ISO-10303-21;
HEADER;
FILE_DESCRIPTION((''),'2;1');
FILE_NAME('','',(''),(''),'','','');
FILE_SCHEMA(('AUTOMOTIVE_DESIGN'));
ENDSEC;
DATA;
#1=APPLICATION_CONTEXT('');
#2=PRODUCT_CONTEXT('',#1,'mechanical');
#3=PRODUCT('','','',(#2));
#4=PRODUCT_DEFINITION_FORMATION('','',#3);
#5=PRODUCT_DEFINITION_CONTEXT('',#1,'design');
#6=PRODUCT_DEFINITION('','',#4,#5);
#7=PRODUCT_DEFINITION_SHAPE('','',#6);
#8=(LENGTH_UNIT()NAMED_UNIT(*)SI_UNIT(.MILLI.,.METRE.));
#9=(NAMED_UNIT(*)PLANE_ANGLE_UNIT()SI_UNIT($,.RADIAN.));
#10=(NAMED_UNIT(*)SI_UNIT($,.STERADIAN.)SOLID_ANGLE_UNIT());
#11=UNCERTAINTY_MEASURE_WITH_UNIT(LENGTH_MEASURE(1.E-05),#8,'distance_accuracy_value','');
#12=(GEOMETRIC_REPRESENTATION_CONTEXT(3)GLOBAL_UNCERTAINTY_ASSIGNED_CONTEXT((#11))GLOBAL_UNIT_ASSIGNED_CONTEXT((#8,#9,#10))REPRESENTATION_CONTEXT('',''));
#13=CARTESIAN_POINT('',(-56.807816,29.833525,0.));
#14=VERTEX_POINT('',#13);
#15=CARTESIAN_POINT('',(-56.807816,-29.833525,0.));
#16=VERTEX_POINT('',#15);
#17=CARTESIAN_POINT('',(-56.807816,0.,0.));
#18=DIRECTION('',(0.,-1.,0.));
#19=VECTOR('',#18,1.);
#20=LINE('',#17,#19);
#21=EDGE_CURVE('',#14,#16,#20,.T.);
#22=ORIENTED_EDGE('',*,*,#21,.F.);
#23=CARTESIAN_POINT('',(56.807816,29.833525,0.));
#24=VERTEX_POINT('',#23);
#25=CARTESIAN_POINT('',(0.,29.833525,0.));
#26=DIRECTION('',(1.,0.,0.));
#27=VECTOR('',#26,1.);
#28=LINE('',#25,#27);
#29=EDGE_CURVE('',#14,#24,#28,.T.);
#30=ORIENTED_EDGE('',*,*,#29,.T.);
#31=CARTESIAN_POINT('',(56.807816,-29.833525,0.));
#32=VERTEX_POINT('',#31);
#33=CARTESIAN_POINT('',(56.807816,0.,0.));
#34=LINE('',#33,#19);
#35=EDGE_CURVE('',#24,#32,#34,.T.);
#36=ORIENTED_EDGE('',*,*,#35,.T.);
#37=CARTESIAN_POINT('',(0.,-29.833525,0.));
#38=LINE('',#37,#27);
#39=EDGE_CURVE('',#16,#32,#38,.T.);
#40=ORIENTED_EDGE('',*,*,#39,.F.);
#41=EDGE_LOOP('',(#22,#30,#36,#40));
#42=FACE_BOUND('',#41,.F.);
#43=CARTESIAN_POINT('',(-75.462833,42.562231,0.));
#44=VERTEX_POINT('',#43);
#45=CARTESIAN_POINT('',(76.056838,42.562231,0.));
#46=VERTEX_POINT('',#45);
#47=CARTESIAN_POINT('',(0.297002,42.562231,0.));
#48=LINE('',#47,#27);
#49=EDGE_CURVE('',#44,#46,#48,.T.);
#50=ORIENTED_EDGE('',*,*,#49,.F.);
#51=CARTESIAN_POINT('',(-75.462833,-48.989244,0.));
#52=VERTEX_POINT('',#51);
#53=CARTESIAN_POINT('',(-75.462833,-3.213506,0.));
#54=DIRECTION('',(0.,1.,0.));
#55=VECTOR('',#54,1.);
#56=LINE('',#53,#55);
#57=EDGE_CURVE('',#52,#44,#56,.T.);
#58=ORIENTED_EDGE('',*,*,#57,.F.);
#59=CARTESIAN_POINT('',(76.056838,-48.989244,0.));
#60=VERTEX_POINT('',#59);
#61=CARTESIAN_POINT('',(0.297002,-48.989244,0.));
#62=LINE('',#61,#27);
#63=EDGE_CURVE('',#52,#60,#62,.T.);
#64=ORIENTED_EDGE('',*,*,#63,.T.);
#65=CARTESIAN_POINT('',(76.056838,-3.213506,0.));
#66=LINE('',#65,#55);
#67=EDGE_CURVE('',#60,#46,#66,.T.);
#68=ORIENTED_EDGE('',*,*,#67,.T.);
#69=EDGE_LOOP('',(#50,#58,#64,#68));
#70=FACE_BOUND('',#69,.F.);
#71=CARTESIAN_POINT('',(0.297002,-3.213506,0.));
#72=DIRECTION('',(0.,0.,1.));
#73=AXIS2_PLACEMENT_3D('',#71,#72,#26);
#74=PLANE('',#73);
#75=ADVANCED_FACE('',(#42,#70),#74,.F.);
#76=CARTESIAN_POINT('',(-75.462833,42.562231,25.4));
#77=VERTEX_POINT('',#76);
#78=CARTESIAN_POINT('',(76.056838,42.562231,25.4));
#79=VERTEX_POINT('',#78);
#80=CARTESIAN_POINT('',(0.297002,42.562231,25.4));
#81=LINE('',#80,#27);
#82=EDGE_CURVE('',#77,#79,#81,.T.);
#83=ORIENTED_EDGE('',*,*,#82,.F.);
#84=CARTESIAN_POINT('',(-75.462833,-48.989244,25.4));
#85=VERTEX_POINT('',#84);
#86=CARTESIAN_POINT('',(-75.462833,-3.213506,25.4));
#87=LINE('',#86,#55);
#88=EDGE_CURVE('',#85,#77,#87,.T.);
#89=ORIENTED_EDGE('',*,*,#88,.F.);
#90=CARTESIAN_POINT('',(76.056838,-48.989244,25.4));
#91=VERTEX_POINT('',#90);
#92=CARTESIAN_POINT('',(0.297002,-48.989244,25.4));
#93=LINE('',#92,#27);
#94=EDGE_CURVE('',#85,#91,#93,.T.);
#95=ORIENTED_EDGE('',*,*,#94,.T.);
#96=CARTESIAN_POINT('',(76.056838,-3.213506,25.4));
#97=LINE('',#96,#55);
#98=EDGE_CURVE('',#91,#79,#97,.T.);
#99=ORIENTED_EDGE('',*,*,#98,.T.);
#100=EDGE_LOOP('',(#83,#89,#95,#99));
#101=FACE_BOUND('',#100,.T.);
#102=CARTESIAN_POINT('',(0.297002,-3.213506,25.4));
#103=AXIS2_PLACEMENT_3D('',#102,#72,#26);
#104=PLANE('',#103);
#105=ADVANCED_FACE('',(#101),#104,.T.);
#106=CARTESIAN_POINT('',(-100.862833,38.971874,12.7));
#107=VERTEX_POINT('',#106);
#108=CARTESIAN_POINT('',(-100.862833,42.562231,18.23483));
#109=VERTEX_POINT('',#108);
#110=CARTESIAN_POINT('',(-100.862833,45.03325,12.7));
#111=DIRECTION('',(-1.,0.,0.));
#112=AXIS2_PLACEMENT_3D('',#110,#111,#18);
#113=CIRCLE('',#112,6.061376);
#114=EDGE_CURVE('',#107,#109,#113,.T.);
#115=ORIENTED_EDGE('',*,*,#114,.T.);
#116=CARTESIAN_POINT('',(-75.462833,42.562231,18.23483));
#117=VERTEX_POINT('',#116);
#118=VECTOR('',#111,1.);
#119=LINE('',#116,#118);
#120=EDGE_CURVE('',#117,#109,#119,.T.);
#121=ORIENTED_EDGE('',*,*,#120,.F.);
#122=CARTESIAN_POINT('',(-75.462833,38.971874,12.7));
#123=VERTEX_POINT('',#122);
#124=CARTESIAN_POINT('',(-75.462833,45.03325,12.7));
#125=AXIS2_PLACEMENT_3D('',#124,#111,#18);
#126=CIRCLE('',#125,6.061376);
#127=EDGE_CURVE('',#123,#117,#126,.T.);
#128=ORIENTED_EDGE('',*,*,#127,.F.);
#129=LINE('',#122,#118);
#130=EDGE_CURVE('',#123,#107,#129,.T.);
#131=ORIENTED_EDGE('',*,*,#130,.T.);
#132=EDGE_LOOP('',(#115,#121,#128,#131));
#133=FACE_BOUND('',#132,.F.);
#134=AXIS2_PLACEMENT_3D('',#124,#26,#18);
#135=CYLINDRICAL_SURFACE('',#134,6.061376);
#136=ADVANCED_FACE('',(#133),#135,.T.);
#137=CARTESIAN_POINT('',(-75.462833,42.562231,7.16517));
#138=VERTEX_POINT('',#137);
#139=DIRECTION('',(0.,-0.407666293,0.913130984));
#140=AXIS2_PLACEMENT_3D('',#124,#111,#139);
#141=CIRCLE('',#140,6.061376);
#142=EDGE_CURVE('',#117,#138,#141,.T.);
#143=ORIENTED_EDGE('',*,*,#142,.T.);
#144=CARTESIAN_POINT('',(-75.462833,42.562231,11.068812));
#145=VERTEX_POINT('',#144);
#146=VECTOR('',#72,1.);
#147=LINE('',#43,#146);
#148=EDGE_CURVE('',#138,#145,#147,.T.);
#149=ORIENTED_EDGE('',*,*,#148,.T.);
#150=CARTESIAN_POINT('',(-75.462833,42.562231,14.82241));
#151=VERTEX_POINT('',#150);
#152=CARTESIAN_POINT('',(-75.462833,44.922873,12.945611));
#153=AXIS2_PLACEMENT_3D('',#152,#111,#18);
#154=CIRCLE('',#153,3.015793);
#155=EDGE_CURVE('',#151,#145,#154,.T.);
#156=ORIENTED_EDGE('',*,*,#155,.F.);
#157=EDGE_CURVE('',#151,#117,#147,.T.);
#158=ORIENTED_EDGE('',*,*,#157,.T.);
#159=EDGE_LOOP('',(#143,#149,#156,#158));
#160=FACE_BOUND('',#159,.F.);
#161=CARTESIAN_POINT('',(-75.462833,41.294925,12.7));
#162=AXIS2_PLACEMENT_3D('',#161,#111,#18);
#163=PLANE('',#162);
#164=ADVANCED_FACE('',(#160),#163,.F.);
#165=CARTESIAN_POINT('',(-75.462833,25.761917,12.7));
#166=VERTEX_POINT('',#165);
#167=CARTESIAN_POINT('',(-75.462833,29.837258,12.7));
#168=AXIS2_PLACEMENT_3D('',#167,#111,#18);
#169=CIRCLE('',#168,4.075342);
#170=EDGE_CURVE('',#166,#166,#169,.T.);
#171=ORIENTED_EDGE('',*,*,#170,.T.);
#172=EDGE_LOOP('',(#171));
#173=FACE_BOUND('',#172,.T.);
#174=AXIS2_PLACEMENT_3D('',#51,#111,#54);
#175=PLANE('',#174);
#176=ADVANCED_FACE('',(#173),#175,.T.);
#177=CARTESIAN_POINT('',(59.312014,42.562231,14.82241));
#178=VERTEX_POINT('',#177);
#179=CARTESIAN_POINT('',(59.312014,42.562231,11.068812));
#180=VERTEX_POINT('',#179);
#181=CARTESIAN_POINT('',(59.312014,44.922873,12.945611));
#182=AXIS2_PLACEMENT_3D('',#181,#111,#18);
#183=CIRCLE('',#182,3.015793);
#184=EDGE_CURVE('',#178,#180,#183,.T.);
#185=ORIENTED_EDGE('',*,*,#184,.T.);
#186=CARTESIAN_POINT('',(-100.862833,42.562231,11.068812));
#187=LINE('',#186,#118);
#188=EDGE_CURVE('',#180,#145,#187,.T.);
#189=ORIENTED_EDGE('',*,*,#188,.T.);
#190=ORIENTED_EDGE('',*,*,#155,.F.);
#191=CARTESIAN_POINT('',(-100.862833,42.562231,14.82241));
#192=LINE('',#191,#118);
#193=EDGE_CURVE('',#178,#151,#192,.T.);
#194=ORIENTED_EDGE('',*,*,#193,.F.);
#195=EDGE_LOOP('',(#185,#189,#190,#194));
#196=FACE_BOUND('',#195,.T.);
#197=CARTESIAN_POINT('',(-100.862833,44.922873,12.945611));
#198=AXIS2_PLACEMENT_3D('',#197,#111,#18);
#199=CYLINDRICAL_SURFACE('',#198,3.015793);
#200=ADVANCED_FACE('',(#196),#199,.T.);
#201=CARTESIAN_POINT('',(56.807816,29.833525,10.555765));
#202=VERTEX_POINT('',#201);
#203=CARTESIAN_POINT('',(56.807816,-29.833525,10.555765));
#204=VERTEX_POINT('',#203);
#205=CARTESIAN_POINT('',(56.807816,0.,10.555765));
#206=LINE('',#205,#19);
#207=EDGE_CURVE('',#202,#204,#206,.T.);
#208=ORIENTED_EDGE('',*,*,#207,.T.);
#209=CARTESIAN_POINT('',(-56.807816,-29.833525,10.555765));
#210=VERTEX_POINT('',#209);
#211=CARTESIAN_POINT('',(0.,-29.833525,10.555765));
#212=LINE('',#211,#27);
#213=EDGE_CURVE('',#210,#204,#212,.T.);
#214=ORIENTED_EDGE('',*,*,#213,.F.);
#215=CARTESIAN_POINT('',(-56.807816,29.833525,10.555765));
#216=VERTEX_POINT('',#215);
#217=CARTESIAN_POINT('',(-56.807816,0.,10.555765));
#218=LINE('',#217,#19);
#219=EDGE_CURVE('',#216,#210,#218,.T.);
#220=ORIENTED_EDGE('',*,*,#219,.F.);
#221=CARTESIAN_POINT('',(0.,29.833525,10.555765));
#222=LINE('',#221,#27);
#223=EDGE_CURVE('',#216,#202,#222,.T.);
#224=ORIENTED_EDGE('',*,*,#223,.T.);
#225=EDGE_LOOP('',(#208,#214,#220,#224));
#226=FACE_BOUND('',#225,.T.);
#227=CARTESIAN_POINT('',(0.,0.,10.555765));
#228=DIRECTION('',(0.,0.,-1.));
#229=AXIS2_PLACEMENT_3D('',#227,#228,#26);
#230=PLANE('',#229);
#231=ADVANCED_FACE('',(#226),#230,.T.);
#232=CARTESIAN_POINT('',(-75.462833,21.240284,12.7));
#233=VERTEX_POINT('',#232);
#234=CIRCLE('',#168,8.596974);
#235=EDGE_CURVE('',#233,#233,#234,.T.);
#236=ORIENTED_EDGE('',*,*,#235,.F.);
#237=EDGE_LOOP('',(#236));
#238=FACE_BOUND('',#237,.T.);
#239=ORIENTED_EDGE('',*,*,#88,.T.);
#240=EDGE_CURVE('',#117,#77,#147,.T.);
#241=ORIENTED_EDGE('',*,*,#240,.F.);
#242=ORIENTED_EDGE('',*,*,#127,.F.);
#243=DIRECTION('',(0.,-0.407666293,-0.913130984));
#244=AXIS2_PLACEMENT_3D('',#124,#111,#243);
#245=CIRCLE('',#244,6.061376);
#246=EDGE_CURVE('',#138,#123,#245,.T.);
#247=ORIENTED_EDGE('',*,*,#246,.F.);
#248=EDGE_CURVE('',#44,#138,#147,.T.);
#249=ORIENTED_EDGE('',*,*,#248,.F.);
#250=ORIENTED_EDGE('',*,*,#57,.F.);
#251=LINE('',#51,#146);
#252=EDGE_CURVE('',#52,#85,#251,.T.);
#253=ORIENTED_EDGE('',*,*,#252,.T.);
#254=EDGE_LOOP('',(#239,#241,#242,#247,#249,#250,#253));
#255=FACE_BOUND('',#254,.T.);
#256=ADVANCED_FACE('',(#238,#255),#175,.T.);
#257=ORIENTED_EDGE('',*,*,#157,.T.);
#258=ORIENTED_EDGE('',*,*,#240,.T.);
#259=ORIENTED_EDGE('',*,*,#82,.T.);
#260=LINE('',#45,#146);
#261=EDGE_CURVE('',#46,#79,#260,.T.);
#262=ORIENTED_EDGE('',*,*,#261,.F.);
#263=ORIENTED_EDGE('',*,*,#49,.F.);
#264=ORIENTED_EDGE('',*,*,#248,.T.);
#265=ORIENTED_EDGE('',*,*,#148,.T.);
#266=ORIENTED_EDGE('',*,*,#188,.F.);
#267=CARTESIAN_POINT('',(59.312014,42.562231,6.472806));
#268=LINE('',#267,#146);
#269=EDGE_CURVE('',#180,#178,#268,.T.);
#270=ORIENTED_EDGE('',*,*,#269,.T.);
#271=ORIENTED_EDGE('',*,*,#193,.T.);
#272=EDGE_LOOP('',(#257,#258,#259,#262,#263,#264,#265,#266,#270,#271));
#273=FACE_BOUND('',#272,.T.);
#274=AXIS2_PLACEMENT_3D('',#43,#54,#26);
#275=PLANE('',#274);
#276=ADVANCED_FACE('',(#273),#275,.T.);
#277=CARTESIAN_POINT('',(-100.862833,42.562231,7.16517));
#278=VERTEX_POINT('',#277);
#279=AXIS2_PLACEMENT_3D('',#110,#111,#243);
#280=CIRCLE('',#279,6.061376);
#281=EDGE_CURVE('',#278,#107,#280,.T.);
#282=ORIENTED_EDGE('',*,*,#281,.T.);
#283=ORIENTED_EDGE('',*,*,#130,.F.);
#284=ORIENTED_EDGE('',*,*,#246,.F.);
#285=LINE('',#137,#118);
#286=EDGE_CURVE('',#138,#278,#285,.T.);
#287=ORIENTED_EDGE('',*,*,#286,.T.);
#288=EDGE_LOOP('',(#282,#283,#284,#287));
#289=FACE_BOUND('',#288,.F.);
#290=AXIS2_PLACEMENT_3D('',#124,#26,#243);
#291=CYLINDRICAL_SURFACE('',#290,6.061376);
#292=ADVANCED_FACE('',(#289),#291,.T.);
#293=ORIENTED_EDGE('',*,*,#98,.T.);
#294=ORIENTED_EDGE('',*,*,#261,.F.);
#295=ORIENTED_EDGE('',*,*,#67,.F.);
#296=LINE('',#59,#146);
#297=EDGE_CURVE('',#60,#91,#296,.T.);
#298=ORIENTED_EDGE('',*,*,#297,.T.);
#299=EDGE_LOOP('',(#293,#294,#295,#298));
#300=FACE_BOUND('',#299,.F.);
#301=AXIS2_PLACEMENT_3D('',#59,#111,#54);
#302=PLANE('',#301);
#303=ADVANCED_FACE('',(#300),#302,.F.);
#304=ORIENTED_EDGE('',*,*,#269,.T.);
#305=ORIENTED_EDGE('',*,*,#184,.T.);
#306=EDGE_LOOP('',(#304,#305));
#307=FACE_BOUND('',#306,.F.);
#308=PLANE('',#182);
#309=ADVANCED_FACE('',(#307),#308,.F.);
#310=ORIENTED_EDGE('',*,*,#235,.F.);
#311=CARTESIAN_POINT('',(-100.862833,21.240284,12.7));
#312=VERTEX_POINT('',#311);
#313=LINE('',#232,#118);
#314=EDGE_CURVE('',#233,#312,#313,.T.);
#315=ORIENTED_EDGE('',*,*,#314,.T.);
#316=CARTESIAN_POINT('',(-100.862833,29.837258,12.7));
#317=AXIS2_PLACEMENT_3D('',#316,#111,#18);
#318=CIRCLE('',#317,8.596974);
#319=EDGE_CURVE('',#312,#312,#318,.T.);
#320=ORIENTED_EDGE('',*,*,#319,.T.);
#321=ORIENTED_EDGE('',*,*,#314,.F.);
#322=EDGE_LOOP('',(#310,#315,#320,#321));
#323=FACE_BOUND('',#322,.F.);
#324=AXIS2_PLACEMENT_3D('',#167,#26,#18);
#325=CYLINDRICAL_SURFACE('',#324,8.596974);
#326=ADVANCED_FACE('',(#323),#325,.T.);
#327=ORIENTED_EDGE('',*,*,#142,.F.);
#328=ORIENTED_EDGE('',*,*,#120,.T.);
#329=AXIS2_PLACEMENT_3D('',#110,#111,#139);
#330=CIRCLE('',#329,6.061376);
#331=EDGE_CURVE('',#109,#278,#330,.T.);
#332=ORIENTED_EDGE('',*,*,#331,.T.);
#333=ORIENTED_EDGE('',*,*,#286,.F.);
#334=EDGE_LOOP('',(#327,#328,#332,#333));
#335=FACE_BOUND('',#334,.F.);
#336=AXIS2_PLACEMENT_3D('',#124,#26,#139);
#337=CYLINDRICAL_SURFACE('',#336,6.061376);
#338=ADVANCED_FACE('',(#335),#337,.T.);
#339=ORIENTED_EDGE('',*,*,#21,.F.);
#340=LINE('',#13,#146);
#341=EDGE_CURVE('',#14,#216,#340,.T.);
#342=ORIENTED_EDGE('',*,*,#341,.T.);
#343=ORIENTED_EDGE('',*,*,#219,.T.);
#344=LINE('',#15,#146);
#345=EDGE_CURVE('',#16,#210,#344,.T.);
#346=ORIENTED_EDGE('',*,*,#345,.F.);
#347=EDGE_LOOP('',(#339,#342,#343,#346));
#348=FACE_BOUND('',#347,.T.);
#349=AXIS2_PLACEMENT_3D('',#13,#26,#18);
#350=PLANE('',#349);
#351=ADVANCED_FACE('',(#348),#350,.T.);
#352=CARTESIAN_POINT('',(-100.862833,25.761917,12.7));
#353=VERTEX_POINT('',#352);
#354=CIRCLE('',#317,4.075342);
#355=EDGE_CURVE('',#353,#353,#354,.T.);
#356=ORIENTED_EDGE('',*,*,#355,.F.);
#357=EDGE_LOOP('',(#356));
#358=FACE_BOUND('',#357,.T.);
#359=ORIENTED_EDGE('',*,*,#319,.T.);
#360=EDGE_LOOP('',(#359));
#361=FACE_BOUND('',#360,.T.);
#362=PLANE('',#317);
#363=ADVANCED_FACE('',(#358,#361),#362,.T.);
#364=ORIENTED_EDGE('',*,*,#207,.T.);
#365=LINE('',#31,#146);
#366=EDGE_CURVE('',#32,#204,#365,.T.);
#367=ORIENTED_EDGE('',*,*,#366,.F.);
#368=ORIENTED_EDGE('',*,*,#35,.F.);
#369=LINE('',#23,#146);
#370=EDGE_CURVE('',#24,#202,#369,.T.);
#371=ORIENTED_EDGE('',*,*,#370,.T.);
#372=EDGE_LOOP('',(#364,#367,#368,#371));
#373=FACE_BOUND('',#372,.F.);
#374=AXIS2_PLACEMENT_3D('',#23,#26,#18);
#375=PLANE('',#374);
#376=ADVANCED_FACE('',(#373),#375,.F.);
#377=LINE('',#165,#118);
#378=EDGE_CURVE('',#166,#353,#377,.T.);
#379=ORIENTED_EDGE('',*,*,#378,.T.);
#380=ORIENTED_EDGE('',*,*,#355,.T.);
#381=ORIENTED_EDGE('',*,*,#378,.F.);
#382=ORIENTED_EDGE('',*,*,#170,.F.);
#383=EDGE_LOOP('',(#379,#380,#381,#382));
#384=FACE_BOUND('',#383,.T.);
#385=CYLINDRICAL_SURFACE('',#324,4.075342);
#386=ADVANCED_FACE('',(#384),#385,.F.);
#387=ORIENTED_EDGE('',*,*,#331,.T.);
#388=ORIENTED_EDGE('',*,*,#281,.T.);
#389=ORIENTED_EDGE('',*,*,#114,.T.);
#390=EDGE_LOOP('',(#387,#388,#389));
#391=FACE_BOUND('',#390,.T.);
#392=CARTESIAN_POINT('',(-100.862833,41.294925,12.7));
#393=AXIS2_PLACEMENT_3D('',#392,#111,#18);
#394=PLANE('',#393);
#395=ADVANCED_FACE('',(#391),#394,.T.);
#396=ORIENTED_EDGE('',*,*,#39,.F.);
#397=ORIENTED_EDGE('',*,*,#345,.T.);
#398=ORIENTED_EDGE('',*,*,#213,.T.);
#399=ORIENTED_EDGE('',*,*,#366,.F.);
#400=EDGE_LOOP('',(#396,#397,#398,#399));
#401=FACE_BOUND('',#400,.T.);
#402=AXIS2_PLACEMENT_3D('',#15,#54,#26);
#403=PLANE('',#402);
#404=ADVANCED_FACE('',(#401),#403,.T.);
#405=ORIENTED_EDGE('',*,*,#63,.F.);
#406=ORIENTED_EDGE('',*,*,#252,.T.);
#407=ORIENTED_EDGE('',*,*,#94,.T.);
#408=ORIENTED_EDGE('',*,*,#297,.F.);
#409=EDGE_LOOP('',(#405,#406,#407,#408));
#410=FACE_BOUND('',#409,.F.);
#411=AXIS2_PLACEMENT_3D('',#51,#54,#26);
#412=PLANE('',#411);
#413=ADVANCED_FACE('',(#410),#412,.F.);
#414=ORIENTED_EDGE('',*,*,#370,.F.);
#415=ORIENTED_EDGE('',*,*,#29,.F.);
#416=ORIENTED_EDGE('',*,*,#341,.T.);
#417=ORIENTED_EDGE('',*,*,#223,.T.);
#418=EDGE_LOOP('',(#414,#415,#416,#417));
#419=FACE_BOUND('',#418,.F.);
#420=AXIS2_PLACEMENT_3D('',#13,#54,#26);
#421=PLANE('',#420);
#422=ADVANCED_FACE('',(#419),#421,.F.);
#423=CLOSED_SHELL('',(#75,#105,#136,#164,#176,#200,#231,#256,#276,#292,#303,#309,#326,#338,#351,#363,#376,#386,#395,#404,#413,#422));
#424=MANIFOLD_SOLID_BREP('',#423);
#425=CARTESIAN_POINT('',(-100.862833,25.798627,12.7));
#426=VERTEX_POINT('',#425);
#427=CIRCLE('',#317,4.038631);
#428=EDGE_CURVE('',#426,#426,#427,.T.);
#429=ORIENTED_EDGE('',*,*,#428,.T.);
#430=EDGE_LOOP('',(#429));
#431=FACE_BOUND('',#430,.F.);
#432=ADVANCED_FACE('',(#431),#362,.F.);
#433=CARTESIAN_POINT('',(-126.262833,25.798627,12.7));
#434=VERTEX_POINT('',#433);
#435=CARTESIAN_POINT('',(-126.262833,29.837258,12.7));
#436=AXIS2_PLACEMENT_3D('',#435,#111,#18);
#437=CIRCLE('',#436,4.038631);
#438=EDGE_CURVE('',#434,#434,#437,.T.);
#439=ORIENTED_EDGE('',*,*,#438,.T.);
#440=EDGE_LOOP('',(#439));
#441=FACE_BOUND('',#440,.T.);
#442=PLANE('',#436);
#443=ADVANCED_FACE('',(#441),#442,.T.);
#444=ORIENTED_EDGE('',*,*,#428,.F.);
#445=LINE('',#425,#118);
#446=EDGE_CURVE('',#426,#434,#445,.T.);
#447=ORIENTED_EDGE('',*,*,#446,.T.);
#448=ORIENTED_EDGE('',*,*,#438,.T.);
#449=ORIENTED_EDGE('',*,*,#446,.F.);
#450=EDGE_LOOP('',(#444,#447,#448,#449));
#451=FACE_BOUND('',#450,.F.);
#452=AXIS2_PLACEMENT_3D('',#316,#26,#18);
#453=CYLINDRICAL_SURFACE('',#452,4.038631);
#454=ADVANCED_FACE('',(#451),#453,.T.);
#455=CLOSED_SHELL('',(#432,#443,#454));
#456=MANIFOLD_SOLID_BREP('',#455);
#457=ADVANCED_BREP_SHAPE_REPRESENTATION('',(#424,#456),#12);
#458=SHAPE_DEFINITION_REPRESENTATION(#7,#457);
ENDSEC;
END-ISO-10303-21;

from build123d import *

# Parameters (mm, degrees)
F0_W     = 151.5196710825
F0_H     = 91.5514752269
F1_DEPTH = 25.4
F2_W     = 113.6156320572
F2_H     = 59.6670508385
F3_DEPTH = 10.5557646602
F4_R     = 2.4710185826
F4_R_2   = 8.5969736698
F4_R_3   = 4.0753416552
F5_DEPTH = 25.4
F6_R     = 4.038631368
F7_DEPTH = 25.4
F8_R     = 3.0157926106
F9_DEPTH = 160.1748466492


with BuildPart() as f1:
    # F0 (on Top) → F1 (new body)
    with BuildSketch(Plane.XY):
        with Locations((0.2970024943, -3.213506192)):
            Rectangle(F0_W, F0_H)
    extrude(amount=F1_DEPTH)

    # F2 (on face) → F3 (cut)
    with BuildSketch(Plane(origin=(0, 0, 0), x_dir=(1, 0, 0), z_dir=(0, 0, -1))):
        Rectangle(F2_W, F2_H)
    extrude(amount=-F3_DEPTH, mode=Mode.SUBTRACT)

    # F4 (on face) → F5 (join)
    with BuildSketch(Plane(origin=(-75.4628330469, 0, 0), x_dir=(0, -1, 0), z_dir=(-1, 0, 0))):
        with BuildLine():
            Line((-42.5622314215, 18.2348300056), (-42.5622314215, 12.7))
            Line((-42.5622314215, 12.7), (-42.5622314215, 7.1651699944))
            ThreePointArc((-42.5622314215, 7.1651699944), (-39.9480731069, 9.4013257281), (-38.9718742504, 12.7))
            ThreePointArc((-38.9718742504, 12.7), (-39.9480731069, 15.9986742719), (-42.5622314215, 18.2348300056))
        make_face()
        with BuildLine():
            Line((-42.5622314215, 7.1651699944), (-42.5622314215, 12.7))
            Line((-42.5622314215, 12.7), (-42.5622314215, 18.2348300056))
            ThreePointArc((-42.5622314215, 18.2348300056), (-51.0946257577, 12.7), (-42.5622314215, 7.1651699944))
        make_face()
        with Locations((-45.0332500041, 12.7)):
            Circle(F4_R, mode=Mode.SUBTRACT)
        with Locations((-29.8372581601, 12.7)):
            Circle(F4_R_2)
        with Locations((-29.8372581601, 12.7)):
            Circle(F4_R_3, mode=Mode.SUBTRACT)
    extrude(amount=F5_DEPTH)

    # F8 (on face) → F9 (join)
    with BuildSketch(Plane(origin=(-100.8628330469, 0, 0), x_dir=(0, -1, 0), z_dir=(-1, 0, 0))):
        with Locations((-44.9228733778, 12.9456110299)):
            Circle(F8_R)
    extrude(amount=-F9_DEPTH)


with BuildPart() as f7:
    # F6 (on face) → F7 (new body)
    with BuildSketch(Plane(origin=(-100.8628330469, 0, 0), x_dir=(0, -1, 0), z_dir=(-1, 0, 0))):
        with Locations((-29.8372581601, 12.7)):
            Circle(F6_R)
    extrude(amount=F7_DEPTH)


solid = Compound([f1.part, f7.part])
